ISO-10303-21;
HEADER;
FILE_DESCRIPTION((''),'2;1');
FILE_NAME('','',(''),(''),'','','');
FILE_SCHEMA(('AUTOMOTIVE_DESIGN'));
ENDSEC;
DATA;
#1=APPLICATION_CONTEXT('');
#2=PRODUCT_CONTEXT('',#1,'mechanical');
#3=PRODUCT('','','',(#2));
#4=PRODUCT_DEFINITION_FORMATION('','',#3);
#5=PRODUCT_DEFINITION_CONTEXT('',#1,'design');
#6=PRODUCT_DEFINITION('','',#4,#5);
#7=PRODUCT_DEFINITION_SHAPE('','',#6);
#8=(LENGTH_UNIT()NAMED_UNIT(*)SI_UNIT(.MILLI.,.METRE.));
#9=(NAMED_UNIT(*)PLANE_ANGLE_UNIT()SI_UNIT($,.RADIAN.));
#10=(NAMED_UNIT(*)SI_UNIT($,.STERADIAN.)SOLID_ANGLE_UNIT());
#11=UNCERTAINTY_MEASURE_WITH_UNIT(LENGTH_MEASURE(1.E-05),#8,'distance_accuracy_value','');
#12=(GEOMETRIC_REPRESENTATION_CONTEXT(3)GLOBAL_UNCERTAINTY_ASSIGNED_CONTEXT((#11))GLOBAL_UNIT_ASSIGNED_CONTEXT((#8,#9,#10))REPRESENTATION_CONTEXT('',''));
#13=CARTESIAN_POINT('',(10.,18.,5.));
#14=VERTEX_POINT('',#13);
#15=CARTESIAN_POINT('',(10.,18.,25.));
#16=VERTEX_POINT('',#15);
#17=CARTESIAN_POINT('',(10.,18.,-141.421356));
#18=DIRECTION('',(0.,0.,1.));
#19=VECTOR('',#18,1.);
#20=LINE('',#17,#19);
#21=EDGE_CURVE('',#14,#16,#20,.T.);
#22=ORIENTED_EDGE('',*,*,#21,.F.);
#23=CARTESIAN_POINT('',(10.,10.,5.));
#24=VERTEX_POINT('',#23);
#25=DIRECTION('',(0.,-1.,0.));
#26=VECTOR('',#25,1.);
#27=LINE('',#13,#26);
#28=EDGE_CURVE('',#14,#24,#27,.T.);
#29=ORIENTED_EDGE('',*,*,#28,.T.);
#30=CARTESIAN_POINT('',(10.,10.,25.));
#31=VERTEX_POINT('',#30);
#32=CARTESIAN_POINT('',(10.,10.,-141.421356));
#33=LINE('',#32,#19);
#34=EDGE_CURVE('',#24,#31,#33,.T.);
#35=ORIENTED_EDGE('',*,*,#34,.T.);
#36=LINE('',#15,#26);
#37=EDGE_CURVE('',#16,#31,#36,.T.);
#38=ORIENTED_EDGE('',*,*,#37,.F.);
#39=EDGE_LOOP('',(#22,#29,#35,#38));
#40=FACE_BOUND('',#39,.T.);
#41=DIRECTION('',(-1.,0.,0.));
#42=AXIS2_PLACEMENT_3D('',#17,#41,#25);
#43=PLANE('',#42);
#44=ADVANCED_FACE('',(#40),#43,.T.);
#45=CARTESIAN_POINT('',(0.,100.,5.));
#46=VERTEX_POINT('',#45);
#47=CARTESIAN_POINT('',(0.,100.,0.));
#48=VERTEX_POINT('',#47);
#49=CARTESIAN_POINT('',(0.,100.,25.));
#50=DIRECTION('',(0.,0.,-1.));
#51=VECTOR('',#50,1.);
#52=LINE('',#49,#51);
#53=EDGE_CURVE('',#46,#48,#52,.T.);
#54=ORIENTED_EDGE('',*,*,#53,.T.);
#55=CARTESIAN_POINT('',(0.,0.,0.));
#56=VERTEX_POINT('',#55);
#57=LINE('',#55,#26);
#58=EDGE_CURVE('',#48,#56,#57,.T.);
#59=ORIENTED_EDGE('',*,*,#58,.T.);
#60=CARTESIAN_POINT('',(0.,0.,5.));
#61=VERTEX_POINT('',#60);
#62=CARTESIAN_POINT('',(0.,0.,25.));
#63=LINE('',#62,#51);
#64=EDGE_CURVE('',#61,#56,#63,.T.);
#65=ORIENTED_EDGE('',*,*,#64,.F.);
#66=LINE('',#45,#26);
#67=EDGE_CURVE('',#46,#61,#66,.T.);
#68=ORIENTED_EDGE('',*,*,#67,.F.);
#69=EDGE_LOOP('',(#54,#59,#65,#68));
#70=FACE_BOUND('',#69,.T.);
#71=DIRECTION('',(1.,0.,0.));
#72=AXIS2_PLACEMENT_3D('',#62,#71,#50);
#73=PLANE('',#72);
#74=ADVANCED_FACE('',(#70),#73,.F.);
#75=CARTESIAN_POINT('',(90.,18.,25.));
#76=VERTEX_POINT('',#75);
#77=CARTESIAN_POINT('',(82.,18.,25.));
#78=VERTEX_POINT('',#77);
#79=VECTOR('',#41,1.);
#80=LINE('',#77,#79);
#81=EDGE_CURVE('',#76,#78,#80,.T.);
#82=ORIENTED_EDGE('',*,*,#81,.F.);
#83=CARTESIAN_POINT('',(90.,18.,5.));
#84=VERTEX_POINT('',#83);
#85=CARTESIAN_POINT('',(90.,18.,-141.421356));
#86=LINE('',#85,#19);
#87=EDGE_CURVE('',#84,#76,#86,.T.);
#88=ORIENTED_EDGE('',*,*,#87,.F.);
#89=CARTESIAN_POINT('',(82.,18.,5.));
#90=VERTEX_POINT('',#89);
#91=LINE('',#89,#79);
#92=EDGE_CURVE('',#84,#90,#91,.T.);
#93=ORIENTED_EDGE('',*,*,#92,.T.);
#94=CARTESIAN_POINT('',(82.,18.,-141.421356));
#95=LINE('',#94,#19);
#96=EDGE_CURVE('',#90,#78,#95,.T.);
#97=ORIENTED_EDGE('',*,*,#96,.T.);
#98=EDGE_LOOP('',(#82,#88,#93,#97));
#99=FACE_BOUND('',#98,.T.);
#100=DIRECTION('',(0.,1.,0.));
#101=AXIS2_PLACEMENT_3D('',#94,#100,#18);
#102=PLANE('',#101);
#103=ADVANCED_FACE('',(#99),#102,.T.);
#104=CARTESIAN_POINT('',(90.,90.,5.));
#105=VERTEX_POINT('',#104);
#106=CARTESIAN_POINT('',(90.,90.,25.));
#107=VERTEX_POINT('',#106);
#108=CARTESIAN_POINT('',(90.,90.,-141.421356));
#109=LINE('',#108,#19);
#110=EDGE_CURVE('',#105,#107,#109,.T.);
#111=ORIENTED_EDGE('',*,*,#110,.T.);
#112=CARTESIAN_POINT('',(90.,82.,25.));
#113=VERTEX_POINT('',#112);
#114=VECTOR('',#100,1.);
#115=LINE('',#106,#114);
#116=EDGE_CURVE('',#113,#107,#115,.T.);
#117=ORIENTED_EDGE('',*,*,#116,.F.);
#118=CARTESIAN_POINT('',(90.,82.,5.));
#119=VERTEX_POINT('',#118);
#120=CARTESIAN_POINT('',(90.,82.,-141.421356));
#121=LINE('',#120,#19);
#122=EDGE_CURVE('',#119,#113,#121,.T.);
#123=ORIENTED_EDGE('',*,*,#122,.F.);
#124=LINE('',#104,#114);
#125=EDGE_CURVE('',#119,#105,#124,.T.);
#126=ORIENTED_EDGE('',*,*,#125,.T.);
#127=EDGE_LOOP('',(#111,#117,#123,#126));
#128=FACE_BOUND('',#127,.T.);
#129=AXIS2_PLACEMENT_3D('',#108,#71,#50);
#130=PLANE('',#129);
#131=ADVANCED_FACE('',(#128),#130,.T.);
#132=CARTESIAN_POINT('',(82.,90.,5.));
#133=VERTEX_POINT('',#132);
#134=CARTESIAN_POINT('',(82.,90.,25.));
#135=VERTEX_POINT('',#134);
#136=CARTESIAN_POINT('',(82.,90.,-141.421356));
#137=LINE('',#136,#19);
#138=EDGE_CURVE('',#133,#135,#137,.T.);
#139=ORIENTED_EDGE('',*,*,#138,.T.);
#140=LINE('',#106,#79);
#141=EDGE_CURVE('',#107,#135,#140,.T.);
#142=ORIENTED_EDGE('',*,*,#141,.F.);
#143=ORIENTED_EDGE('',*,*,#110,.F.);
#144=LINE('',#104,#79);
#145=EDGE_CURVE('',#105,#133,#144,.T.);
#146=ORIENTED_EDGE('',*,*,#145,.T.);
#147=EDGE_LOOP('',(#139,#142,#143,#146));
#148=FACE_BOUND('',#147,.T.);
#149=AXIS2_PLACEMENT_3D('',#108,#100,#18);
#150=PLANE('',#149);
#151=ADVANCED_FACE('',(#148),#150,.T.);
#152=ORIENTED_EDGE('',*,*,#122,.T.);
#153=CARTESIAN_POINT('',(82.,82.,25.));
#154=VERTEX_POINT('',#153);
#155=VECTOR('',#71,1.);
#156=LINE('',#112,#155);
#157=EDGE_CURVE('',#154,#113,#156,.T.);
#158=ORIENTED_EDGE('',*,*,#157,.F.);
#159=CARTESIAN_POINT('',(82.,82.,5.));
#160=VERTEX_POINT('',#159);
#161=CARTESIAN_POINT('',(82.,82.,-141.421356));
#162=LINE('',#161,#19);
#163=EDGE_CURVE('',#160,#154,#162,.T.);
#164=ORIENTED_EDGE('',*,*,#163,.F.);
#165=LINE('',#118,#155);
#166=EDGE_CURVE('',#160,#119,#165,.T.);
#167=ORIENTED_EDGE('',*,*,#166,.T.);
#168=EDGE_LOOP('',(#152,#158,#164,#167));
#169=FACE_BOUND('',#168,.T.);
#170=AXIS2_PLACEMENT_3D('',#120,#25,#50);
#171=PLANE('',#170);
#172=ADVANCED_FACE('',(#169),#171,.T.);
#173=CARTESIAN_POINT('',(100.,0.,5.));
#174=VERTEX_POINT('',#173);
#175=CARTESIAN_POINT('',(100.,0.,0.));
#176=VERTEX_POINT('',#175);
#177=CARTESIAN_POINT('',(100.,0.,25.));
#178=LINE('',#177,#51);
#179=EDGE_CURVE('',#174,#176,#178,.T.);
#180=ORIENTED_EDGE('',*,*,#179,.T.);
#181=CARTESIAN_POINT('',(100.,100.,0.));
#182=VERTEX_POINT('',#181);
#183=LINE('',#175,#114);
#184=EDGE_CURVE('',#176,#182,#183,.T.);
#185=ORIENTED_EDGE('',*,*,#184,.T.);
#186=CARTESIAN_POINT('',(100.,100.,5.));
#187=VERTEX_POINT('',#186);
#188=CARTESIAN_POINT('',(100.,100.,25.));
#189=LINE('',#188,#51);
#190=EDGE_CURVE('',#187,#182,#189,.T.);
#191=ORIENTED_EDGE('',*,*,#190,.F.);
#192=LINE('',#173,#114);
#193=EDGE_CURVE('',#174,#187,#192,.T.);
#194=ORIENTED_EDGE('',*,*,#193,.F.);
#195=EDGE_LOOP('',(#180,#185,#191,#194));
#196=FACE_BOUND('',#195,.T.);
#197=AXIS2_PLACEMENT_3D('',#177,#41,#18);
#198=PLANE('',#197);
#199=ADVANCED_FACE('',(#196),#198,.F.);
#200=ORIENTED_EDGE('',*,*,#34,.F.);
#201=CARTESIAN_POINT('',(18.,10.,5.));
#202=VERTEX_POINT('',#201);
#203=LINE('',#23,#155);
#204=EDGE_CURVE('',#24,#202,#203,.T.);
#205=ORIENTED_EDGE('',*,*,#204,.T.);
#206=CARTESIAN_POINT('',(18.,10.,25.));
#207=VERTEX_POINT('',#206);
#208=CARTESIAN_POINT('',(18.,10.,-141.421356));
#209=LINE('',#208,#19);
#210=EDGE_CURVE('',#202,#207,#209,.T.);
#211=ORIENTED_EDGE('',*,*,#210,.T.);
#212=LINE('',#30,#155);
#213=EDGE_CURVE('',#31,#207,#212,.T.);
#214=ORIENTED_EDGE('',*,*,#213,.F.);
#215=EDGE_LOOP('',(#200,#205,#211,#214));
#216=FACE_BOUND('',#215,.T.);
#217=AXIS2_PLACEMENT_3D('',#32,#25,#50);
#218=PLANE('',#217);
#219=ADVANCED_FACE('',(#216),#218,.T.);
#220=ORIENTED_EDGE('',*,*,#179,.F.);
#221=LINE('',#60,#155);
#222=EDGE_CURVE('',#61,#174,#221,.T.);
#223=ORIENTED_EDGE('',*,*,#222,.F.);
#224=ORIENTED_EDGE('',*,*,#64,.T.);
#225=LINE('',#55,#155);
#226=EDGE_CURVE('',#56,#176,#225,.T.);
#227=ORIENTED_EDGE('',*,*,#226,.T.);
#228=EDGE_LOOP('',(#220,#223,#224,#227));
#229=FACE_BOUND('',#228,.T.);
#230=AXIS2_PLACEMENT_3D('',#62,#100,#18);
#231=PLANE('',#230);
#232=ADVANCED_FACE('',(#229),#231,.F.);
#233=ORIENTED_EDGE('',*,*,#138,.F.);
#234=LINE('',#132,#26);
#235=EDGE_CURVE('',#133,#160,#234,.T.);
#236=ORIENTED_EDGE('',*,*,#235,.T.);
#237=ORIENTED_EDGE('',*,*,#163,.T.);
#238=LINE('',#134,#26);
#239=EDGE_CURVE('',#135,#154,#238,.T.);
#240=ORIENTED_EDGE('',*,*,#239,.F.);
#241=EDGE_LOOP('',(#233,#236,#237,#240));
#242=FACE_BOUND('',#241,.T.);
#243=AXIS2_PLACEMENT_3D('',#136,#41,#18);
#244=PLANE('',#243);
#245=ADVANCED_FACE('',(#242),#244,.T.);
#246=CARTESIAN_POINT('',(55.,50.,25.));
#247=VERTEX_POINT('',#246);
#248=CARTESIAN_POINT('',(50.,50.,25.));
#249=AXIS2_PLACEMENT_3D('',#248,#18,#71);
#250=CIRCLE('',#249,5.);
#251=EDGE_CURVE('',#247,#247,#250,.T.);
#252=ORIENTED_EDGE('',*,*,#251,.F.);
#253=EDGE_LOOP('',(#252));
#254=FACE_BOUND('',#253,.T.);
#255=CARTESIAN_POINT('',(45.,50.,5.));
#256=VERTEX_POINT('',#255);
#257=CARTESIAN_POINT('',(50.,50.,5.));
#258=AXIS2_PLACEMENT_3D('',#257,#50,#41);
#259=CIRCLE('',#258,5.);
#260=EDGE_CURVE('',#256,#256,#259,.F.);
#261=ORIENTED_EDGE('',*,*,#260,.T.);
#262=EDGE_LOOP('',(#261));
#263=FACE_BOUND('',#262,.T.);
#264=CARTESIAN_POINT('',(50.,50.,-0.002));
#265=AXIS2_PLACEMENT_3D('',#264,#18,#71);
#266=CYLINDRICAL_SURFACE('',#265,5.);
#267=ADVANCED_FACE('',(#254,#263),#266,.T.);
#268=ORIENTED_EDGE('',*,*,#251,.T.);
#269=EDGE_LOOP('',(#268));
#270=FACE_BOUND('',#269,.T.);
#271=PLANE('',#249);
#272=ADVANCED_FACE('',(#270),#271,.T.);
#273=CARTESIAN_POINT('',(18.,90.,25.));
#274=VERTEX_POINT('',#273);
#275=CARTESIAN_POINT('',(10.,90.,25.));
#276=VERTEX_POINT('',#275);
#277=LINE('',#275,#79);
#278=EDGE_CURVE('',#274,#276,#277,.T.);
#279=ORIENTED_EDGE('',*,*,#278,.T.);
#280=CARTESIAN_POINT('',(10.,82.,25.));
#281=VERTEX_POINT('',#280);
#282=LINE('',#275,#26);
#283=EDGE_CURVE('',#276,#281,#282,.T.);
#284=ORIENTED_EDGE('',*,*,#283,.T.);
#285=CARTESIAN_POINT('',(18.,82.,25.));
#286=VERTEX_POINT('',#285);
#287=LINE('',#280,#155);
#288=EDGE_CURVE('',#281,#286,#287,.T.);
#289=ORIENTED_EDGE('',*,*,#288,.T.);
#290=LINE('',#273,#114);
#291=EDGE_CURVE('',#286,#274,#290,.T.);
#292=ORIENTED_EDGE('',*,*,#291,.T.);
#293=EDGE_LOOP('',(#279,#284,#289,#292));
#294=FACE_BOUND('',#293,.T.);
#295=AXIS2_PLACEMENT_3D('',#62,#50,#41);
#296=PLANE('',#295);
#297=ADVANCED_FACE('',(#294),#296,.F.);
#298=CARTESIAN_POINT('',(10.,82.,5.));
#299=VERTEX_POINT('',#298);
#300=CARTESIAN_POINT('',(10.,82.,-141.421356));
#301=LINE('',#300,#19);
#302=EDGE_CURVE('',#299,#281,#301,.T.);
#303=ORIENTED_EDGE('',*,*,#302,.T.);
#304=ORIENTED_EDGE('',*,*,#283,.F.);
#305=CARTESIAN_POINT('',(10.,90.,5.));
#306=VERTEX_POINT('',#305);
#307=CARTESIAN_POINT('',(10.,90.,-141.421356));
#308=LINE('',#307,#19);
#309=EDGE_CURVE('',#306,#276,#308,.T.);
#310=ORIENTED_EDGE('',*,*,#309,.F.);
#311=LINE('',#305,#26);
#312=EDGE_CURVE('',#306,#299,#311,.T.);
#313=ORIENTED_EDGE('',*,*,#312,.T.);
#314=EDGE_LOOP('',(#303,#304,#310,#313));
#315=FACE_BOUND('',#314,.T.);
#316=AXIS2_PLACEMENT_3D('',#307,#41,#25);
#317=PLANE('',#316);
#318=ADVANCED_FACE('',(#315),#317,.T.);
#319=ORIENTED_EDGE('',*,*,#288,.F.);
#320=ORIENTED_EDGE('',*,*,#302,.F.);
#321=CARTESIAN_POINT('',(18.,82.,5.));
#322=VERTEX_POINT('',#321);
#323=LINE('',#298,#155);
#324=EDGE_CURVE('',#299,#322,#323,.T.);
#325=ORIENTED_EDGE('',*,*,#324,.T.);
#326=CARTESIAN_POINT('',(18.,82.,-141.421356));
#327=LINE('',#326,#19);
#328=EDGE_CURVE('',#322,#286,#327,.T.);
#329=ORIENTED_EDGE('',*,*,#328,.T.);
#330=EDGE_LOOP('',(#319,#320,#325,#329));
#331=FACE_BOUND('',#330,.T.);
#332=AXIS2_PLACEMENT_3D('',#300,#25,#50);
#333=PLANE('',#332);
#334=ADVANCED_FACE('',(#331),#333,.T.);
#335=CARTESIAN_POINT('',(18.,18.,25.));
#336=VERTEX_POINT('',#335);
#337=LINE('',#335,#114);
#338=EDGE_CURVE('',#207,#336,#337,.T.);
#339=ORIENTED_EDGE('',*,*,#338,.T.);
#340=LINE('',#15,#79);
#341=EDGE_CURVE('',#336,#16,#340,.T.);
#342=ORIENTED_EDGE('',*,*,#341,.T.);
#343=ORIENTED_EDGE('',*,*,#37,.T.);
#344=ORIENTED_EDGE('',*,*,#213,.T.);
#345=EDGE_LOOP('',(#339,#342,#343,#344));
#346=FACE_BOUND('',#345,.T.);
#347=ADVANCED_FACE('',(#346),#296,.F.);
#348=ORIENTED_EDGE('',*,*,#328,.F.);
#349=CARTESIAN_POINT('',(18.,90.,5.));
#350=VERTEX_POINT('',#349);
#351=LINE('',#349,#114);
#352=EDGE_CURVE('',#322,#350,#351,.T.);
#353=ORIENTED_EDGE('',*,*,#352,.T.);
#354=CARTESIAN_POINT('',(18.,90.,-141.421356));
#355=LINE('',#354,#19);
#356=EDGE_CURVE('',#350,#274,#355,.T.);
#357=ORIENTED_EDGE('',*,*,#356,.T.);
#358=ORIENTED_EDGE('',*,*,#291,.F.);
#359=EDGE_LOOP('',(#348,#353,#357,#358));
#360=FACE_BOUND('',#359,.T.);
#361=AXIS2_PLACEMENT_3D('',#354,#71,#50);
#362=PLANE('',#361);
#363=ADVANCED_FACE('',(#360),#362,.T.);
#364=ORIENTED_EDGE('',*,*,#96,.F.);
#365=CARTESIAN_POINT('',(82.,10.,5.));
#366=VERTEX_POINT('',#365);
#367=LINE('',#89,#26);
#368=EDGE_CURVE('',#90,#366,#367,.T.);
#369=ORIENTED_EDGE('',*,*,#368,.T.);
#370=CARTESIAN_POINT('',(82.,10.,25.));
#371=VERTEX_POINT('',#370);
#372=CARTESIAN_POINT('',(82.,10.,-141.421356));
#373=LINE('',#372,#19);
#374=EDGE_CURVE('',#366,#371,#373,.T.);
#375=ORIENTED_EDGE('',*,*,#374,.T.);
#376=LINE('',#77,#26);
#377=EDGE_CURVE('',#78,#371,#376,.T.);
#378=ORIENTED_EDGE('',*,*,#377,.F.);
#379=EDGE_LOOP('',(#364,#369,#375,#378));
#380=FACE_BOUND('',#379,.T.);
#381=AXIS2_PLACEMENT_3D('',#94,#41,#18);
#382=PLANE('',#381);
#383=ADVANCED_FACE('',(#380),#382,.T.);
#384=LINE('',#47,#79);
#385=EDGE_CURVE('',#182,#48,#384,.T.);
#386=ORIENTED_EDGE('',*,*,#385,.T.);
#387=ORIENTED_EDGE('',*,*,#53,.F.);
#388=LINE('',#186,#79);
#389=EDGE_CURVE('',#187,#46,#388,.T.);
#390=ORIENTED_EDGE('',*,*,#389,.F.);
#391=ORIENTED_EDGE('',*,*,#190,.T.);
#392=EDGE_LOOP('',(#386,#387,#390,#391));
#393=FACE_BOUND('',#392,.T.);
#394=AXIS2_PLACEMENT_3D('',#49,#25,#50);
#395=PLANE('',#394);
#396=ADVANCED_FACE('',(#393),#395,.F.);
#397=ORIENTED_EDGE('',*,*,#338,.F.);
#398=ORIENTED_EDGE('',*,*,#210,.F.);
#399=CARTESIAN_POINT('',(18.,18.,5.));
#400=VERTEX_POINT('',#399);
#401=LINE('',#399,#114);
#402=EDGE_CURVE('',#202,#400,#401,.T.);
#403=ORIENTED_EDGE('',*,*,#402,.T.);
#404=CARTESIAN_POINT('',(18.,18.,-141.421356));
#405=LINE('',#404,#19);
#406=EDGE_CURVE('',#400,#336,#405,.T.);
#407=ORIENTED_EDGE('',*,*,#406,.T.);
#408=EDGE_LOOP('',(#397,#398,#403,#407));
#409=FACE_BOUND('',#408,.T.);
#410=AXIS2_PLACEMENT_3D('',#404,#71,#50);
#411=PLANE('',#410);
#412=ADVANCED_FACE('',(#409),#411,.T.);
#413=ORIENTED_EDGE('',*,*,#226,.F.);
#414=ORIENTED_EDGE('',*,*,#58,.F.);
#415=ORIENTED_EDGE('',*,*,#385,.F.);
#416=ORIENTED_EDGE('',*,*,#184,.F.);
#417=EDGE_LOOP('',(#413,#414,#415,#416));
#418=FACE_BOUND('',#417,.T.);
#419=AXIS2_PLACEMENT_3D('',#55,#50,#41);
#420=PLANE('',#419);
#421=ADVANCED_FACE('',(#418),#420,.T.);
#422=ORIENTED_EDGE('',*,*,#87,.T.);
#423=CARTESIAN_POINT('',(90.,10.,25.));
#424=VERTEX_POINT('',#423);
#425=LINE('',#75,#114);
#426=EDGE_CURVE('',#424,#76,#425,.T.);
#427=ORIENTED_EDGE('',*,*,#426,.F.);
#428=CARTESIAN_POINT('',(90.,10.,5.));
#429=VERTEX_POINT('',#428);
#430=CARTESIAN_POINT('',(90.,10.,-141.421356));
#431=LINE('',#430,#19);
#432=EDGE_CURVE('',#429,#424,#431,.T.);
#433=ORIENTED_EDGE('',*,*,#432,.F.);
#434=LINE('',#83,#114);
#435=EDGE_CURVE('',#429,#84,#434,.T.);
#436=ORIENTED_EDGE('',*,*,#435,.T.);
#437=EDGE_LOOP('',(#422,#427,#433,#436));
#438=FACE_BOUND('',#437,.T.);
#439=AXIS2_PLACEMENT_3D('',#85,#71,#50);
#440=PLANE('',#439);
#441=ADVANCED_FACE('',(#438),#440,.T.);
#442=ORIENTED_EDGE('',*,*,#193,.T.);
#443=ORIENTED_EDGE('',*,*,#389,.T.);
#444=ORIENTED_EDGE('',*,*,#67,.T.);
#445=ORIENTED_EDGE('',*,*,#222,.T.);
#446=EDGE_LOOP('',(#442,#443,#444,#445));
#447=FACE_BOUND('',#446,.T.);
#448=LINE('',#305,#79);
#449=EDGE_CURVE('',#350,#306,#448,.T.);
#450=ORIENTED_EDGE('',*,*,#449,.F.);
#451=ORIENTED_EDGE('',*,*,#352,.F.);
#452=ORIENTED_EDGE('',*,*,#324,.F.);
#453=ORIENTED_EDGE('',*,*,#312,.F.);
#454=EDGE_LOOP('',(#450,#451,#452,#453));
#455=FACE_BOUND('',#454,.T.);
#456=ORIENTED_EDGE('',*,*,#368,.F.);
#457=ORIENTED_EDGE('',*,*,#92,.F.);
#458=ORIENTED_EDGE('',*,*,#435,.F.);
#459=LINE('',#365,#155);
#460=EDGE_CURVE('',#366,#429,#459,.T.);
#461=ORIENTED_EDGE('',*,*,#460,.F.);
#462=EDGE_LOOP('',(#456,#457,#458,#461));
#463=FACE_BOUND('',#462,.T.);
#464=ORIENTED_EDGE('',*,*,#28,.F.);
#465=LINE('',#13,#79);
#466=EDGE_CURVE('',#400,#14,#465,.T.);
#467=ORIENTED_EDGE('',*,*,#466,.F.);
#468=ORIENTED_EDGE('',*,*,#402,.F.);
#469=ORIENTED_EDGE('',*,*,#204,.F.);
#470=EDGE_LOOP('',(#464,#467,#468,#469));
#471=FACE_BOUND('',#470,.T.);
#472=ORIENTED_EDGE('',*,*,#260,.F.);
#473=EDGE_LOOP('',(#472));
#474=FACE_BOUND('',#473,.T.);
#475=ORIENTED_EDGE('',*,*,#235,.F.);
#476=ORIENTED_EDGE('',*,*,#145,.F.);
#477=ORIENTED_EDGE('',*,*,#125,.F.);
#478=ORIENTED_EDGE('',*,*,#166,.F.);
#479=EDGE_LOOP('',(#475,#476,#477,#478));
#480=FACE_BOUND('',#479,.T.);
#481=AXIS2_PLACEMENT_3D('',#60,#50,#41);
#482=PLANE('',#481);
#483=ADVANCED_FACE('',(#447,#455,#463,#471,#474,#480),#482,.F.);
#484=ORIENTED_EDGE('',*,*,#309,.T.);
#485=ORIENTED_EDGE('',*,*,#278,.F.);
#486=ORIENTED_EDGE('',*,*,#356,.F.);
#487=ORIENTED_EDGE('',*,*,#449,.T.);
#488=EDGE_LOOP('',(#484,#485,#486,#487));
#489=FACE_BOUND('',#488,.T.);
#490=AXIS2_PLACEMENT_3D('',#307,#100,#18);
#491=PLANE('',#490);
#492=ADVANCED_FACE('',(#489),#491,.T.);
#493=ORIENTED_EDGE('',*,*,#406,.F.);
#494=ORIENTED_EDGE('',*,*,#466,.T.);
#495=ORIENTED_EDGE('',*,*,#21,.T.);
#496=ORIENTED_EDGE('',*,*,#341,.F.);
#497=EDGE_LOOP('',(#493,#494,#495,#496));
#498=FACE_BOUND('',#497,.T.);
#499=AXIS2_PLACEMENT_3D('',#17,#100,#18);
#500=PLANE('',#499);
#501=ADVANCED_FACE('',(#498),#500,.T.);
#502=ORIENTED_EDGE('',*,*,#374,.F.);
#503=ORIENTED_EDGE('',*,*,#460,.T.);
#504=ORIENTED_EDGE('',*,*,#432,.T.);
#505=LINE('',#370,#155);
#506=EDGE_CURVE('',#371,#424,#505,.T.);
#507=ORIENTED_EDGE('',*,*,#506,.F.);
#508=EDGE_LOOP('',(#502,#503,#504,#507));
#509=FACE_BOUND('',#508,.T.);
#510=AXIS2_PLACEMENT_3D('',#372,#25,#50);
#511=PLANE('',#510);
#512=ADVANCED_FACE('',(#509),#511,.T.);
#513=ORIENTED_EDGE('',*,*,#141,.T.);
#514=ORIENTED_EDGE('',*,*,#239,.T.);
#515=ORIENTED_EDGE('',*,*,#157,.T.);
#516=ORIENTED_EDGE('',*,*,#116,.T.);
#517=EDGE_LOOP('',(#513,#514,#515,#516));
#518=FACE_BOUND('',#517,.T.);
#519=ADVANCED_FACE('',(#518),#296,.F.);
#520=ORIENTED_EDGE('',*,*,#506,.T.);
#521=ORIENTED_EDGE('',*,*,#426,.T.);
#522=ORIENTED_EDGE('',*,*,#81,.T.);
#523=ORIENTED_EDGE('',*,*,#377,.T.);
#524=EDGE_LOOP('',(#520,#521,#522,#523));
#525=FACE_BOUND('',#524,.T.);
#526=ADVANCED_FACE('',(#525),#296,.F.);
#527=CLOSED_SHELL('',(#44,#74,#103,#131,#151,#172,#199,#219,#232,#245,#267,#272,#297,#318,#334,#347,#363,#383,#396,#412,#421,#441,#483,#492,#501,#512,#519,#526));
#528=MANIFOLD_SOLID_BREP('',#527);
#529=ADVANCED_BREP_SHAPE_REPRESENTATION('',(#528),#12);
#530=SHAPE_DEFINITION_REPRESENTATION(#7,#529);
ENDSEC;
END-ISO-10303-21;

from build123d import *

# Parameters (mm, degrees)
SKETCH_1_W          = 100
SKETCH_1_H          = 100
EXTRUDE_1_DEPTH     = 25
SKETCH_2_W          = 100
SKETCH_2_H          = 100
SKETCH_2_W_2        = 8
SKETCH_2_H_2        = 8
CUT_EXTRUDE_1_DEPTH = 20
EXTRUDE_2_REACH     = 145.614
SKETCH_3_R          = 5


with BuildPart() as part:
    # 草图1 → 凸台-拉伸1 (new body)
    with BuildSketch(Plane.XY):
        with Locations((50, 50)):
            Rectangle(SKETCH_1_W, SKETCH_1_H)
    extrude(amount=EXTRUDE_1_DEPTH)

    # 草图2 → 切除-拉伸1 (cut)
    with BuildSketch(Plane.XY.offset(25)):
        with Locations((50, 50)):
            Rectangle(SKETCH_2_W, SKETCH_2_H)
        with Locations((14, 86)):
            Rectangle(SKETCH_2_W_2, SKETCH_2_H_2, mode=Mode.SUBTRACT)
        with Locations((86, 86)):
            Rectangle(SKETCH_2_W_2, SKETCH_2_H_2, mode=Mode.SUBTRACT)
        with Locations((14, 14)):
            Rectangle(SKETCH_2_W_2, SKETCH_2_H_2, mode=Mode.SUBTRACT)
        with Locations((86, 14)):
            Rectangle(SKETCH_2_W_2, SKETCH_2_H_2, mode=Mode.SUBTRACT)
    extrude(amount=-CUT_EXTRUDE_1_DEPTH, mode=Mode.SUBTRACT)

    # 草图3 → 凸台-拉伸2 (add, up to next)
    with BuildSketch(Plane.XY.offset(25), mode=Mode.PRIVATE) as extrude_2_sk1:
        with Locations((50, 50)):
            Circle(SKETCH_3_R)
    extrude_2_tool1 = extrude(extrude_2_sk1.sketch, amount=-EXTRUDE_2_REACH, mode=Mode.PRIVATE) - part.part
    add(extrude_2_tool1.solids().sort_by_distance((50, 50, 25))[0])


solid = part.part
